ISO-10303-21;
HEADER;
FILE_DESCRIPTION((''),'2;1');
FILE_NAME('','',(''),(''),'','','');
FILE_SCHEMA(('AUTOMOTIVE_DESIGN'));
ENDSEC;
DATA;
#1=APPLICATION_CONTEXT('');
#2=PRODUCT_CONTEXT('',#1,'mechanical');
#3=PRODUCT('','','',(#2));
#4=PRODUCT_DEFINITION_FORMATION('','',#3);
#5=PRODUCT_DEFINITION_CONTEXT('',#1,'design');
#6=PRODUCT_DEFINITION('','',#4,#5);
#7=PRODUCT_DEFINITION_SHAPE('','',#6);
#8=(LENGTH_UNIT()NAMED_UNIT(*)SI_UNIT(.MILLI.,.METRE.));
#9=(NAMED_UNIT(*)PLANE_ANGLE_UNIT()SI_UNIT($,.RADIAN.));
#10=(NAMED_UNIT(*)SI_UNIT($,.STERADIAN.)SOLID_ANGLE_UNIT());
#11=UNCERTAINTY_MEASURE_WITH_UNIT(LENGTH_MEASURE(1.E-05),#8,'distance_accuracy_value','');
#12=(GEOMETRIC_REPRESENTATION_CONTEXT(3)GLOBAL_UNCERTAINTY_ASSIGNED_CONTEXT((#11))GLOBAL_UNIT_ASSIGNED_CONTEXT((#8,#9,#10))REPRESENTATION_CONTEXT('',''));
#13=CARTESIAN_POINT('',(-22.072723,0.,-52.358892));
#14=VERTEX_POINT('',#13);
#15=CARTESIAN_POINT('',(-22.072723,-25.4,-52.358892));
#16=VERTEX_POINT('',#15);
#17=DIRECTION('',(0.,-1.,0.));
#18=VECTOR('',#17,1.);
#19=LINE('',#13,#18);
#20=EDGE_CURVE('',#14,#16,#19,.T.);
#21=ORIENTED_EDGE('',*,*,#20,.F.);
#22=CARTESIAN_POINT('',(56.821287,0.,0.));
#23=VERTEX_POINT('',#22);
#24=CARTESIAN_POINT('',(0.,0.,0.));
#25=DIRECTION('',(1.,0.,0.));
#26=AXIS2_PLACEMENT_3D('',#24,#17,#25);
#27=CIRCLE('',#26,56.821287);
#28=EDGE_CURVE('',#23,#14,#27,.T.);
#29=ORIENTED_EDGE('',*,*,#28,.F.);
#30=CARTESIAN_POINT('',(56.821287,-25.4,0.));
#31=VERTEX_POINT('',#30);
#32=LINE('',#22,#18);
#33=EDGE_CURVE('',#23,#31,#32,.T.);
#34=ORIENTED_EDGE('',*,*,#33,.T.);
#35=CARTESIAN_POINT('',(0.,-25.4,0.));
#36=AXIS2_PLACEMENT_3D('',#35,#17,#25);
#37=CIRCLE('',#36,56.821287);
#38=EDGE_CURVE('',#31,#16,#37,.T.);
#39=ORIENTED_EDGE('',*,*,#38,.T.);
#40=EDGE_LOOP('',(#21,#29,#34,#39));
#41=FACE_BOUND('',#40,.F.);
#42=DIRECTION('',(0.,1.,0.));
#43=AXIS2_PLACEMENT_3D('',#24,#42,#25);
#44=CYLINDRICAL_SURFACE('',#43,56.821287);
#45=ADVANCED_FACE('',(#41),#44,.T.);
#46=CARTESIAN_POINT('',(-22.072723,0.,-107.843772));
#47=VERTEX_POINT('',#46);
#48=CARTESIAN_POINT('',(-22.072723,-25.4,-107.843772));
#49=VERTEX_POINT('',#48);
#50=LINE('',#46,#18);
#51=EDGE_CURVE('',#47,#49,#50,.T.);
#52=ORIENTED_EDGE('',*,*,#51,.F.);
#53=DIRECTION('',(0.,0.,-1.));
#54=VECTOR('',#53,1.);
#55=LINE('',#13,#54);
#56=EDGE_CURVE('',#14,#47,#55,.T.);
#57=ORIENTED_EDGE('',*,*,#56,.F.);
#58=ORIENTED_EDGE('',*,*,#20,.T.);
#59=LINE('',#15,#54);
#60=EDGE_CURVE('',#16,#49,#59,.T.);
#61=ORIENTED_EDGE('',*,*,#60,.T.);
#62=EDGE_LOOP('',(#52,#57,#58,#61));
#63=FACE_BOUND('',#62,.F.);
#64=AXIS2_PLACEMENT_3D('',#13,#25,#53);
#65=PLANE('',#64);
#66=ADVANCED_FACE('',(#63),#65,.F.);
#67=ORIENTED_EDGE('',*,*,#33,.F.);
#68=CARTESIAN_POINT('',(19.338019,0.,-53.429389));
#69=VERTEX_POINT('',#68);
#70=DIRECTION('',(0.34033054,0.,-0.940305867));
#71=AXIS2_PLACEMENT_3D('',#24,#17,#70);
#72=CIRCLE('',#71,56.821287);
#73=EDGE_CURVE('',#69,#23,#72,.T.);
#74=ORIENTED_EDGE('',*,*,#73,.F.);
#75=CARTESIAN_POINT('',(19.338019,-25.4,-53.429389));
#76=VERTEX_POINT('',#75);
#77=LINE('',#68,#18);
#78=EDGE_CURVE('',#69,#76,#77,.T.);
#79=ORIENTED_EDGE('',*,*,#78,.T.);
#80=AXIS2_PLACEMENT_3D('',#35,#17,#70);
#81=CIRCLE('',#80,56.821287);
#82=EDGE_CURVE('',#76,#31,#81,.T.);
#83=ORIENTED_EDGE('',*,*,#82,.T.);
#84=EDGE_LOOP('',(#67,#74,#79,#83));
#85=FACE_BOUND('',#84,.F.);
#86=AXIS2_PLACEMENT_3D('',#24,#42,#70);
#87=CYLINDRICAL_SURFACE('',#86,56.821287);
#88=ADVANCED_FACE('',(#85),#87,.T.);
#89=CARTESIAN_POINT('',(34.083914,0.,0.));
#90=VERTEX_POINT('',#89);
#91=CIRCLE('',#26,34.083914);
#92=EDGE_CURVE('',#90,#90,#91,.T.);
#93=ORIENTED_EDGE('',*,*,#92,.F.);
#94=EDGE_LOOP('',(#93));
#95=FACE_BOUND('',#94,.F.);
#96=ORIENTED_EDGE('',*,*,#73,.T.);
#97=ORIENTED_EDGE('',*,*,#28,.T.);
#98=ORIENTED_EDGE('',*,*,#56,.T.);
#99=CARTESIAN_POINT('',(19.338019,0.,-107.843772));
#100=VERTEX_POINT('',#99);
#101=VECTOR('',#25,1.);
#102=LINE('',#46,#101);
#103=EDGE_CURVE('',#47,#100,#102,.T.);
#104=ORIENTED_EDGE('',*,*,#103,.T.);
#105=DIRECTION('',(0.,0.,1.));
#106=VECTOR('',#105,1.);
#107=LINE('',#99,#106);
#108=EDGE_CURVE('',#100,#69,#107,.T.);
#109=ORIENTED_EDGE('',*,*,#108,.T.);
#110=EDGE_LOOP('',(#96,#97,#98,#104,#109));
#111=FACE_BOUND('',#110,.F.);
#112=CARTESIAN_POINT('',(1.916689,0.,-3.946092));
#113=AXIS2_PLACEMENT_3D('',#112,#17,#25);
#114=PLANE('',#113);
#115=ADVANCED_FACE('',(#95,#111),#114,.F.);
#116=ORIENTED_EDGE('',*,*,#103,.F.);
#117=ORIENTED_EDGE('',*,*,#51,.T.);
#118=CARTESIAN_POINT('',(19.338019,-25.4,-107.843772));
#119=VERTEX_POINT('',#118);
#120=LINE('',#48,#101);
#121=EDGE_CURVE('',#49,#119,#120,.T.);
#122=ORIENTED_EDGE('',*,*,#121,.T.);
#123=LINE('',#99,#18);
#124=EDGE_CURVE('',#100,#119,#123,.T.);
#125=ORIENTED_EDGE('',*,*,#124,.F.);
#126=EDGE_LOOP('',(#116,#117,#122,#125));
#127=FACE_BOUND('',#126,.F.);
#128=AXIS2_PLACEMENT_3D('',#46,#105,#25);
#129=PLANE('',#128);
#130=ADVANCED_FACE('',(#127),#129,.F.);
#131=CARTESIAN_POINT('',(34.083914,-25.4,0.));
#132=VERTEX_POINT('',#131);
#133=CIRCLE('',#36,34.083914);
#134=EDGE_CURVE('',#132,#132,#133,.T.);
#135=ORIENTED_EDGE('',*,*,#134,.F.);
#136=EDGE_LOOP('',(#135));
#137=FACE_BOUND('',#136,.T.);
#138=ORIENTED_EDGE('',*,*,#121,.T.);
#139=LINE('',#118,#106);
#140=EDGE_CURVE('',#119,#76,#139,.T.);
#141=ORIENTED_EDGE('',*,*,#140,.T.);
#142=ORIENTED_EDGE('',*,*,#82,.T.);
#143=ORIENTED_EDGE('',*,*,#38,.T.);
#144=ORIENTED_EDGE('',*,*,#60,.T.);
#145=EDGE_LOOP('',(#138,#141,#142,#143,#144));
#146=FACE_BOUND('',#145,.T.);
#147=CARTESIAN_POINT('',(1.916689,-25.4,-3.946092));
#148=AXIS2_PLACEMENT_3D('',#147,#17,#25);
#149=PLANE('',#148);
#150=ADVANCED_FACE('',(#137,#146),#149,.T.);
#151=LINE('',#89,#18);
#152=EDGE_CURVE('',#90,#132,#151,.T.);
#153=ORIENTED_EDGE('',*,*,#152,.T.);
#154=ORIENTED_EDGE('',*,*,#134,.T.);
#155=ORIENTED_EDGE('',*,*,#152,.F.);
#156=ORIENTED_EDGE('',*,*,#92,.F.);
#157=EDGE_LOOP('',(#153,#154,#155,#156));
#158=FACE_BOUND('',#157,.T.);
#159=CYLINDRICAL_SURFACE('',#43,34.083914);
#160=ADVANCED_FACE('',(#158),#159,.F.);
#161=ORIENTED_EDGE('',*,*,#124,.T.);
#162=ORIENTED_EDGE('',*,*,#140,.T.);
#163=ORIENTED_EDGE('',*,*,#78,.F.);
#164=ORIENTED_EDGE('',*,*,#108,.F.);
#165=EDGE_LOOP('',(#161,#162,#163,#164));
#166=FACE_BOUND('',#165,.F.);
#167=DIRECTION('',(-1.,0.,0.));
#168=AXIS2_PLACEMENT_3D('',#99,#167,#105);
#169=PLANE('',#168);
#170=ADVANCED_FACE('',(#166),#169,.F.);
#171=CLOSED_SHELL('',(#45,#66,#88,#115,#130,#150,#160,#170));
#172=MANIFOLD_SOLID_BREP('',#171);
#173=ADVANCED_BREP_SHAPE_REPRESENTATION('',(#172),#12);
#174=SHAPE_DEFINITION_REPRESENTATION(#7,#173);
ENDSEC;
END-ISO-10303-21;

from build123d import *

# Parameters (mm, degrees)
F0_R     = 34.0839137212
F1_DEPTH = 25.4


with BuildPart() as f1:
    # F0 (on Front) → F1 (new body)
    with BuildSketch(Plane.XZ):
        with BuildLine():
            ThreePointArc((19.3380191922, -53.4293892983), (46.5159637147, -32.6331694256), (56.8212867424, 0))
            ThreePointArc((56.8212867424, 0), (-31.4202012773, 47.3437385381), (-22.0727231354, -52.3588915129))
            Line((-22.0727231354, -52.3588915129), (-22.0727231354, -44.1123396158))
            Line((-22.0727231354, -44.1123396158), (19.3380191922, -44.1123396158))
            Line((19.3380191922, -44.1123396158), (19.3380191922, -53.4293892983))
        make_face()
        Circle(F0_R, mode=Mode.SUBTRACT)
        with BuildLine():
            Line((-22.0727231354, -44.1123396158), (-22.0727231354, -52.3588915129))
            ThreePointArc((-22.0727231354, -52.3588915129), (-1.4683810103, -56.802310554), (19.3380191922, -53.4293892983))
            Line((19.3380191922, -53.4293892983), (19.3380191922, -44.1123396158))
            Line((19.3380191922, -44.1123396158), (-22.0727231354, -44.1123396158))
        make_face()
        with BuildLine():
            ThreePointArc((19.3380191922, -53.4293892983), (-1.4683810103, -56.802310554), (-22.0727231354, -52.3588915129))
            Line((-22.0727231354, -52.3588915129), (-22.0727231354, -107.8437715769))
            Line((-22.0727231354, -107.8437715769), (19.3380191922, -107.8437715769))
            Line((19.3380191922, -107.8437715769), (19.3380191922, -53.4293892983))
        make_face()
    extrude(amount=F1_DEPTH)


solid = f1.part
